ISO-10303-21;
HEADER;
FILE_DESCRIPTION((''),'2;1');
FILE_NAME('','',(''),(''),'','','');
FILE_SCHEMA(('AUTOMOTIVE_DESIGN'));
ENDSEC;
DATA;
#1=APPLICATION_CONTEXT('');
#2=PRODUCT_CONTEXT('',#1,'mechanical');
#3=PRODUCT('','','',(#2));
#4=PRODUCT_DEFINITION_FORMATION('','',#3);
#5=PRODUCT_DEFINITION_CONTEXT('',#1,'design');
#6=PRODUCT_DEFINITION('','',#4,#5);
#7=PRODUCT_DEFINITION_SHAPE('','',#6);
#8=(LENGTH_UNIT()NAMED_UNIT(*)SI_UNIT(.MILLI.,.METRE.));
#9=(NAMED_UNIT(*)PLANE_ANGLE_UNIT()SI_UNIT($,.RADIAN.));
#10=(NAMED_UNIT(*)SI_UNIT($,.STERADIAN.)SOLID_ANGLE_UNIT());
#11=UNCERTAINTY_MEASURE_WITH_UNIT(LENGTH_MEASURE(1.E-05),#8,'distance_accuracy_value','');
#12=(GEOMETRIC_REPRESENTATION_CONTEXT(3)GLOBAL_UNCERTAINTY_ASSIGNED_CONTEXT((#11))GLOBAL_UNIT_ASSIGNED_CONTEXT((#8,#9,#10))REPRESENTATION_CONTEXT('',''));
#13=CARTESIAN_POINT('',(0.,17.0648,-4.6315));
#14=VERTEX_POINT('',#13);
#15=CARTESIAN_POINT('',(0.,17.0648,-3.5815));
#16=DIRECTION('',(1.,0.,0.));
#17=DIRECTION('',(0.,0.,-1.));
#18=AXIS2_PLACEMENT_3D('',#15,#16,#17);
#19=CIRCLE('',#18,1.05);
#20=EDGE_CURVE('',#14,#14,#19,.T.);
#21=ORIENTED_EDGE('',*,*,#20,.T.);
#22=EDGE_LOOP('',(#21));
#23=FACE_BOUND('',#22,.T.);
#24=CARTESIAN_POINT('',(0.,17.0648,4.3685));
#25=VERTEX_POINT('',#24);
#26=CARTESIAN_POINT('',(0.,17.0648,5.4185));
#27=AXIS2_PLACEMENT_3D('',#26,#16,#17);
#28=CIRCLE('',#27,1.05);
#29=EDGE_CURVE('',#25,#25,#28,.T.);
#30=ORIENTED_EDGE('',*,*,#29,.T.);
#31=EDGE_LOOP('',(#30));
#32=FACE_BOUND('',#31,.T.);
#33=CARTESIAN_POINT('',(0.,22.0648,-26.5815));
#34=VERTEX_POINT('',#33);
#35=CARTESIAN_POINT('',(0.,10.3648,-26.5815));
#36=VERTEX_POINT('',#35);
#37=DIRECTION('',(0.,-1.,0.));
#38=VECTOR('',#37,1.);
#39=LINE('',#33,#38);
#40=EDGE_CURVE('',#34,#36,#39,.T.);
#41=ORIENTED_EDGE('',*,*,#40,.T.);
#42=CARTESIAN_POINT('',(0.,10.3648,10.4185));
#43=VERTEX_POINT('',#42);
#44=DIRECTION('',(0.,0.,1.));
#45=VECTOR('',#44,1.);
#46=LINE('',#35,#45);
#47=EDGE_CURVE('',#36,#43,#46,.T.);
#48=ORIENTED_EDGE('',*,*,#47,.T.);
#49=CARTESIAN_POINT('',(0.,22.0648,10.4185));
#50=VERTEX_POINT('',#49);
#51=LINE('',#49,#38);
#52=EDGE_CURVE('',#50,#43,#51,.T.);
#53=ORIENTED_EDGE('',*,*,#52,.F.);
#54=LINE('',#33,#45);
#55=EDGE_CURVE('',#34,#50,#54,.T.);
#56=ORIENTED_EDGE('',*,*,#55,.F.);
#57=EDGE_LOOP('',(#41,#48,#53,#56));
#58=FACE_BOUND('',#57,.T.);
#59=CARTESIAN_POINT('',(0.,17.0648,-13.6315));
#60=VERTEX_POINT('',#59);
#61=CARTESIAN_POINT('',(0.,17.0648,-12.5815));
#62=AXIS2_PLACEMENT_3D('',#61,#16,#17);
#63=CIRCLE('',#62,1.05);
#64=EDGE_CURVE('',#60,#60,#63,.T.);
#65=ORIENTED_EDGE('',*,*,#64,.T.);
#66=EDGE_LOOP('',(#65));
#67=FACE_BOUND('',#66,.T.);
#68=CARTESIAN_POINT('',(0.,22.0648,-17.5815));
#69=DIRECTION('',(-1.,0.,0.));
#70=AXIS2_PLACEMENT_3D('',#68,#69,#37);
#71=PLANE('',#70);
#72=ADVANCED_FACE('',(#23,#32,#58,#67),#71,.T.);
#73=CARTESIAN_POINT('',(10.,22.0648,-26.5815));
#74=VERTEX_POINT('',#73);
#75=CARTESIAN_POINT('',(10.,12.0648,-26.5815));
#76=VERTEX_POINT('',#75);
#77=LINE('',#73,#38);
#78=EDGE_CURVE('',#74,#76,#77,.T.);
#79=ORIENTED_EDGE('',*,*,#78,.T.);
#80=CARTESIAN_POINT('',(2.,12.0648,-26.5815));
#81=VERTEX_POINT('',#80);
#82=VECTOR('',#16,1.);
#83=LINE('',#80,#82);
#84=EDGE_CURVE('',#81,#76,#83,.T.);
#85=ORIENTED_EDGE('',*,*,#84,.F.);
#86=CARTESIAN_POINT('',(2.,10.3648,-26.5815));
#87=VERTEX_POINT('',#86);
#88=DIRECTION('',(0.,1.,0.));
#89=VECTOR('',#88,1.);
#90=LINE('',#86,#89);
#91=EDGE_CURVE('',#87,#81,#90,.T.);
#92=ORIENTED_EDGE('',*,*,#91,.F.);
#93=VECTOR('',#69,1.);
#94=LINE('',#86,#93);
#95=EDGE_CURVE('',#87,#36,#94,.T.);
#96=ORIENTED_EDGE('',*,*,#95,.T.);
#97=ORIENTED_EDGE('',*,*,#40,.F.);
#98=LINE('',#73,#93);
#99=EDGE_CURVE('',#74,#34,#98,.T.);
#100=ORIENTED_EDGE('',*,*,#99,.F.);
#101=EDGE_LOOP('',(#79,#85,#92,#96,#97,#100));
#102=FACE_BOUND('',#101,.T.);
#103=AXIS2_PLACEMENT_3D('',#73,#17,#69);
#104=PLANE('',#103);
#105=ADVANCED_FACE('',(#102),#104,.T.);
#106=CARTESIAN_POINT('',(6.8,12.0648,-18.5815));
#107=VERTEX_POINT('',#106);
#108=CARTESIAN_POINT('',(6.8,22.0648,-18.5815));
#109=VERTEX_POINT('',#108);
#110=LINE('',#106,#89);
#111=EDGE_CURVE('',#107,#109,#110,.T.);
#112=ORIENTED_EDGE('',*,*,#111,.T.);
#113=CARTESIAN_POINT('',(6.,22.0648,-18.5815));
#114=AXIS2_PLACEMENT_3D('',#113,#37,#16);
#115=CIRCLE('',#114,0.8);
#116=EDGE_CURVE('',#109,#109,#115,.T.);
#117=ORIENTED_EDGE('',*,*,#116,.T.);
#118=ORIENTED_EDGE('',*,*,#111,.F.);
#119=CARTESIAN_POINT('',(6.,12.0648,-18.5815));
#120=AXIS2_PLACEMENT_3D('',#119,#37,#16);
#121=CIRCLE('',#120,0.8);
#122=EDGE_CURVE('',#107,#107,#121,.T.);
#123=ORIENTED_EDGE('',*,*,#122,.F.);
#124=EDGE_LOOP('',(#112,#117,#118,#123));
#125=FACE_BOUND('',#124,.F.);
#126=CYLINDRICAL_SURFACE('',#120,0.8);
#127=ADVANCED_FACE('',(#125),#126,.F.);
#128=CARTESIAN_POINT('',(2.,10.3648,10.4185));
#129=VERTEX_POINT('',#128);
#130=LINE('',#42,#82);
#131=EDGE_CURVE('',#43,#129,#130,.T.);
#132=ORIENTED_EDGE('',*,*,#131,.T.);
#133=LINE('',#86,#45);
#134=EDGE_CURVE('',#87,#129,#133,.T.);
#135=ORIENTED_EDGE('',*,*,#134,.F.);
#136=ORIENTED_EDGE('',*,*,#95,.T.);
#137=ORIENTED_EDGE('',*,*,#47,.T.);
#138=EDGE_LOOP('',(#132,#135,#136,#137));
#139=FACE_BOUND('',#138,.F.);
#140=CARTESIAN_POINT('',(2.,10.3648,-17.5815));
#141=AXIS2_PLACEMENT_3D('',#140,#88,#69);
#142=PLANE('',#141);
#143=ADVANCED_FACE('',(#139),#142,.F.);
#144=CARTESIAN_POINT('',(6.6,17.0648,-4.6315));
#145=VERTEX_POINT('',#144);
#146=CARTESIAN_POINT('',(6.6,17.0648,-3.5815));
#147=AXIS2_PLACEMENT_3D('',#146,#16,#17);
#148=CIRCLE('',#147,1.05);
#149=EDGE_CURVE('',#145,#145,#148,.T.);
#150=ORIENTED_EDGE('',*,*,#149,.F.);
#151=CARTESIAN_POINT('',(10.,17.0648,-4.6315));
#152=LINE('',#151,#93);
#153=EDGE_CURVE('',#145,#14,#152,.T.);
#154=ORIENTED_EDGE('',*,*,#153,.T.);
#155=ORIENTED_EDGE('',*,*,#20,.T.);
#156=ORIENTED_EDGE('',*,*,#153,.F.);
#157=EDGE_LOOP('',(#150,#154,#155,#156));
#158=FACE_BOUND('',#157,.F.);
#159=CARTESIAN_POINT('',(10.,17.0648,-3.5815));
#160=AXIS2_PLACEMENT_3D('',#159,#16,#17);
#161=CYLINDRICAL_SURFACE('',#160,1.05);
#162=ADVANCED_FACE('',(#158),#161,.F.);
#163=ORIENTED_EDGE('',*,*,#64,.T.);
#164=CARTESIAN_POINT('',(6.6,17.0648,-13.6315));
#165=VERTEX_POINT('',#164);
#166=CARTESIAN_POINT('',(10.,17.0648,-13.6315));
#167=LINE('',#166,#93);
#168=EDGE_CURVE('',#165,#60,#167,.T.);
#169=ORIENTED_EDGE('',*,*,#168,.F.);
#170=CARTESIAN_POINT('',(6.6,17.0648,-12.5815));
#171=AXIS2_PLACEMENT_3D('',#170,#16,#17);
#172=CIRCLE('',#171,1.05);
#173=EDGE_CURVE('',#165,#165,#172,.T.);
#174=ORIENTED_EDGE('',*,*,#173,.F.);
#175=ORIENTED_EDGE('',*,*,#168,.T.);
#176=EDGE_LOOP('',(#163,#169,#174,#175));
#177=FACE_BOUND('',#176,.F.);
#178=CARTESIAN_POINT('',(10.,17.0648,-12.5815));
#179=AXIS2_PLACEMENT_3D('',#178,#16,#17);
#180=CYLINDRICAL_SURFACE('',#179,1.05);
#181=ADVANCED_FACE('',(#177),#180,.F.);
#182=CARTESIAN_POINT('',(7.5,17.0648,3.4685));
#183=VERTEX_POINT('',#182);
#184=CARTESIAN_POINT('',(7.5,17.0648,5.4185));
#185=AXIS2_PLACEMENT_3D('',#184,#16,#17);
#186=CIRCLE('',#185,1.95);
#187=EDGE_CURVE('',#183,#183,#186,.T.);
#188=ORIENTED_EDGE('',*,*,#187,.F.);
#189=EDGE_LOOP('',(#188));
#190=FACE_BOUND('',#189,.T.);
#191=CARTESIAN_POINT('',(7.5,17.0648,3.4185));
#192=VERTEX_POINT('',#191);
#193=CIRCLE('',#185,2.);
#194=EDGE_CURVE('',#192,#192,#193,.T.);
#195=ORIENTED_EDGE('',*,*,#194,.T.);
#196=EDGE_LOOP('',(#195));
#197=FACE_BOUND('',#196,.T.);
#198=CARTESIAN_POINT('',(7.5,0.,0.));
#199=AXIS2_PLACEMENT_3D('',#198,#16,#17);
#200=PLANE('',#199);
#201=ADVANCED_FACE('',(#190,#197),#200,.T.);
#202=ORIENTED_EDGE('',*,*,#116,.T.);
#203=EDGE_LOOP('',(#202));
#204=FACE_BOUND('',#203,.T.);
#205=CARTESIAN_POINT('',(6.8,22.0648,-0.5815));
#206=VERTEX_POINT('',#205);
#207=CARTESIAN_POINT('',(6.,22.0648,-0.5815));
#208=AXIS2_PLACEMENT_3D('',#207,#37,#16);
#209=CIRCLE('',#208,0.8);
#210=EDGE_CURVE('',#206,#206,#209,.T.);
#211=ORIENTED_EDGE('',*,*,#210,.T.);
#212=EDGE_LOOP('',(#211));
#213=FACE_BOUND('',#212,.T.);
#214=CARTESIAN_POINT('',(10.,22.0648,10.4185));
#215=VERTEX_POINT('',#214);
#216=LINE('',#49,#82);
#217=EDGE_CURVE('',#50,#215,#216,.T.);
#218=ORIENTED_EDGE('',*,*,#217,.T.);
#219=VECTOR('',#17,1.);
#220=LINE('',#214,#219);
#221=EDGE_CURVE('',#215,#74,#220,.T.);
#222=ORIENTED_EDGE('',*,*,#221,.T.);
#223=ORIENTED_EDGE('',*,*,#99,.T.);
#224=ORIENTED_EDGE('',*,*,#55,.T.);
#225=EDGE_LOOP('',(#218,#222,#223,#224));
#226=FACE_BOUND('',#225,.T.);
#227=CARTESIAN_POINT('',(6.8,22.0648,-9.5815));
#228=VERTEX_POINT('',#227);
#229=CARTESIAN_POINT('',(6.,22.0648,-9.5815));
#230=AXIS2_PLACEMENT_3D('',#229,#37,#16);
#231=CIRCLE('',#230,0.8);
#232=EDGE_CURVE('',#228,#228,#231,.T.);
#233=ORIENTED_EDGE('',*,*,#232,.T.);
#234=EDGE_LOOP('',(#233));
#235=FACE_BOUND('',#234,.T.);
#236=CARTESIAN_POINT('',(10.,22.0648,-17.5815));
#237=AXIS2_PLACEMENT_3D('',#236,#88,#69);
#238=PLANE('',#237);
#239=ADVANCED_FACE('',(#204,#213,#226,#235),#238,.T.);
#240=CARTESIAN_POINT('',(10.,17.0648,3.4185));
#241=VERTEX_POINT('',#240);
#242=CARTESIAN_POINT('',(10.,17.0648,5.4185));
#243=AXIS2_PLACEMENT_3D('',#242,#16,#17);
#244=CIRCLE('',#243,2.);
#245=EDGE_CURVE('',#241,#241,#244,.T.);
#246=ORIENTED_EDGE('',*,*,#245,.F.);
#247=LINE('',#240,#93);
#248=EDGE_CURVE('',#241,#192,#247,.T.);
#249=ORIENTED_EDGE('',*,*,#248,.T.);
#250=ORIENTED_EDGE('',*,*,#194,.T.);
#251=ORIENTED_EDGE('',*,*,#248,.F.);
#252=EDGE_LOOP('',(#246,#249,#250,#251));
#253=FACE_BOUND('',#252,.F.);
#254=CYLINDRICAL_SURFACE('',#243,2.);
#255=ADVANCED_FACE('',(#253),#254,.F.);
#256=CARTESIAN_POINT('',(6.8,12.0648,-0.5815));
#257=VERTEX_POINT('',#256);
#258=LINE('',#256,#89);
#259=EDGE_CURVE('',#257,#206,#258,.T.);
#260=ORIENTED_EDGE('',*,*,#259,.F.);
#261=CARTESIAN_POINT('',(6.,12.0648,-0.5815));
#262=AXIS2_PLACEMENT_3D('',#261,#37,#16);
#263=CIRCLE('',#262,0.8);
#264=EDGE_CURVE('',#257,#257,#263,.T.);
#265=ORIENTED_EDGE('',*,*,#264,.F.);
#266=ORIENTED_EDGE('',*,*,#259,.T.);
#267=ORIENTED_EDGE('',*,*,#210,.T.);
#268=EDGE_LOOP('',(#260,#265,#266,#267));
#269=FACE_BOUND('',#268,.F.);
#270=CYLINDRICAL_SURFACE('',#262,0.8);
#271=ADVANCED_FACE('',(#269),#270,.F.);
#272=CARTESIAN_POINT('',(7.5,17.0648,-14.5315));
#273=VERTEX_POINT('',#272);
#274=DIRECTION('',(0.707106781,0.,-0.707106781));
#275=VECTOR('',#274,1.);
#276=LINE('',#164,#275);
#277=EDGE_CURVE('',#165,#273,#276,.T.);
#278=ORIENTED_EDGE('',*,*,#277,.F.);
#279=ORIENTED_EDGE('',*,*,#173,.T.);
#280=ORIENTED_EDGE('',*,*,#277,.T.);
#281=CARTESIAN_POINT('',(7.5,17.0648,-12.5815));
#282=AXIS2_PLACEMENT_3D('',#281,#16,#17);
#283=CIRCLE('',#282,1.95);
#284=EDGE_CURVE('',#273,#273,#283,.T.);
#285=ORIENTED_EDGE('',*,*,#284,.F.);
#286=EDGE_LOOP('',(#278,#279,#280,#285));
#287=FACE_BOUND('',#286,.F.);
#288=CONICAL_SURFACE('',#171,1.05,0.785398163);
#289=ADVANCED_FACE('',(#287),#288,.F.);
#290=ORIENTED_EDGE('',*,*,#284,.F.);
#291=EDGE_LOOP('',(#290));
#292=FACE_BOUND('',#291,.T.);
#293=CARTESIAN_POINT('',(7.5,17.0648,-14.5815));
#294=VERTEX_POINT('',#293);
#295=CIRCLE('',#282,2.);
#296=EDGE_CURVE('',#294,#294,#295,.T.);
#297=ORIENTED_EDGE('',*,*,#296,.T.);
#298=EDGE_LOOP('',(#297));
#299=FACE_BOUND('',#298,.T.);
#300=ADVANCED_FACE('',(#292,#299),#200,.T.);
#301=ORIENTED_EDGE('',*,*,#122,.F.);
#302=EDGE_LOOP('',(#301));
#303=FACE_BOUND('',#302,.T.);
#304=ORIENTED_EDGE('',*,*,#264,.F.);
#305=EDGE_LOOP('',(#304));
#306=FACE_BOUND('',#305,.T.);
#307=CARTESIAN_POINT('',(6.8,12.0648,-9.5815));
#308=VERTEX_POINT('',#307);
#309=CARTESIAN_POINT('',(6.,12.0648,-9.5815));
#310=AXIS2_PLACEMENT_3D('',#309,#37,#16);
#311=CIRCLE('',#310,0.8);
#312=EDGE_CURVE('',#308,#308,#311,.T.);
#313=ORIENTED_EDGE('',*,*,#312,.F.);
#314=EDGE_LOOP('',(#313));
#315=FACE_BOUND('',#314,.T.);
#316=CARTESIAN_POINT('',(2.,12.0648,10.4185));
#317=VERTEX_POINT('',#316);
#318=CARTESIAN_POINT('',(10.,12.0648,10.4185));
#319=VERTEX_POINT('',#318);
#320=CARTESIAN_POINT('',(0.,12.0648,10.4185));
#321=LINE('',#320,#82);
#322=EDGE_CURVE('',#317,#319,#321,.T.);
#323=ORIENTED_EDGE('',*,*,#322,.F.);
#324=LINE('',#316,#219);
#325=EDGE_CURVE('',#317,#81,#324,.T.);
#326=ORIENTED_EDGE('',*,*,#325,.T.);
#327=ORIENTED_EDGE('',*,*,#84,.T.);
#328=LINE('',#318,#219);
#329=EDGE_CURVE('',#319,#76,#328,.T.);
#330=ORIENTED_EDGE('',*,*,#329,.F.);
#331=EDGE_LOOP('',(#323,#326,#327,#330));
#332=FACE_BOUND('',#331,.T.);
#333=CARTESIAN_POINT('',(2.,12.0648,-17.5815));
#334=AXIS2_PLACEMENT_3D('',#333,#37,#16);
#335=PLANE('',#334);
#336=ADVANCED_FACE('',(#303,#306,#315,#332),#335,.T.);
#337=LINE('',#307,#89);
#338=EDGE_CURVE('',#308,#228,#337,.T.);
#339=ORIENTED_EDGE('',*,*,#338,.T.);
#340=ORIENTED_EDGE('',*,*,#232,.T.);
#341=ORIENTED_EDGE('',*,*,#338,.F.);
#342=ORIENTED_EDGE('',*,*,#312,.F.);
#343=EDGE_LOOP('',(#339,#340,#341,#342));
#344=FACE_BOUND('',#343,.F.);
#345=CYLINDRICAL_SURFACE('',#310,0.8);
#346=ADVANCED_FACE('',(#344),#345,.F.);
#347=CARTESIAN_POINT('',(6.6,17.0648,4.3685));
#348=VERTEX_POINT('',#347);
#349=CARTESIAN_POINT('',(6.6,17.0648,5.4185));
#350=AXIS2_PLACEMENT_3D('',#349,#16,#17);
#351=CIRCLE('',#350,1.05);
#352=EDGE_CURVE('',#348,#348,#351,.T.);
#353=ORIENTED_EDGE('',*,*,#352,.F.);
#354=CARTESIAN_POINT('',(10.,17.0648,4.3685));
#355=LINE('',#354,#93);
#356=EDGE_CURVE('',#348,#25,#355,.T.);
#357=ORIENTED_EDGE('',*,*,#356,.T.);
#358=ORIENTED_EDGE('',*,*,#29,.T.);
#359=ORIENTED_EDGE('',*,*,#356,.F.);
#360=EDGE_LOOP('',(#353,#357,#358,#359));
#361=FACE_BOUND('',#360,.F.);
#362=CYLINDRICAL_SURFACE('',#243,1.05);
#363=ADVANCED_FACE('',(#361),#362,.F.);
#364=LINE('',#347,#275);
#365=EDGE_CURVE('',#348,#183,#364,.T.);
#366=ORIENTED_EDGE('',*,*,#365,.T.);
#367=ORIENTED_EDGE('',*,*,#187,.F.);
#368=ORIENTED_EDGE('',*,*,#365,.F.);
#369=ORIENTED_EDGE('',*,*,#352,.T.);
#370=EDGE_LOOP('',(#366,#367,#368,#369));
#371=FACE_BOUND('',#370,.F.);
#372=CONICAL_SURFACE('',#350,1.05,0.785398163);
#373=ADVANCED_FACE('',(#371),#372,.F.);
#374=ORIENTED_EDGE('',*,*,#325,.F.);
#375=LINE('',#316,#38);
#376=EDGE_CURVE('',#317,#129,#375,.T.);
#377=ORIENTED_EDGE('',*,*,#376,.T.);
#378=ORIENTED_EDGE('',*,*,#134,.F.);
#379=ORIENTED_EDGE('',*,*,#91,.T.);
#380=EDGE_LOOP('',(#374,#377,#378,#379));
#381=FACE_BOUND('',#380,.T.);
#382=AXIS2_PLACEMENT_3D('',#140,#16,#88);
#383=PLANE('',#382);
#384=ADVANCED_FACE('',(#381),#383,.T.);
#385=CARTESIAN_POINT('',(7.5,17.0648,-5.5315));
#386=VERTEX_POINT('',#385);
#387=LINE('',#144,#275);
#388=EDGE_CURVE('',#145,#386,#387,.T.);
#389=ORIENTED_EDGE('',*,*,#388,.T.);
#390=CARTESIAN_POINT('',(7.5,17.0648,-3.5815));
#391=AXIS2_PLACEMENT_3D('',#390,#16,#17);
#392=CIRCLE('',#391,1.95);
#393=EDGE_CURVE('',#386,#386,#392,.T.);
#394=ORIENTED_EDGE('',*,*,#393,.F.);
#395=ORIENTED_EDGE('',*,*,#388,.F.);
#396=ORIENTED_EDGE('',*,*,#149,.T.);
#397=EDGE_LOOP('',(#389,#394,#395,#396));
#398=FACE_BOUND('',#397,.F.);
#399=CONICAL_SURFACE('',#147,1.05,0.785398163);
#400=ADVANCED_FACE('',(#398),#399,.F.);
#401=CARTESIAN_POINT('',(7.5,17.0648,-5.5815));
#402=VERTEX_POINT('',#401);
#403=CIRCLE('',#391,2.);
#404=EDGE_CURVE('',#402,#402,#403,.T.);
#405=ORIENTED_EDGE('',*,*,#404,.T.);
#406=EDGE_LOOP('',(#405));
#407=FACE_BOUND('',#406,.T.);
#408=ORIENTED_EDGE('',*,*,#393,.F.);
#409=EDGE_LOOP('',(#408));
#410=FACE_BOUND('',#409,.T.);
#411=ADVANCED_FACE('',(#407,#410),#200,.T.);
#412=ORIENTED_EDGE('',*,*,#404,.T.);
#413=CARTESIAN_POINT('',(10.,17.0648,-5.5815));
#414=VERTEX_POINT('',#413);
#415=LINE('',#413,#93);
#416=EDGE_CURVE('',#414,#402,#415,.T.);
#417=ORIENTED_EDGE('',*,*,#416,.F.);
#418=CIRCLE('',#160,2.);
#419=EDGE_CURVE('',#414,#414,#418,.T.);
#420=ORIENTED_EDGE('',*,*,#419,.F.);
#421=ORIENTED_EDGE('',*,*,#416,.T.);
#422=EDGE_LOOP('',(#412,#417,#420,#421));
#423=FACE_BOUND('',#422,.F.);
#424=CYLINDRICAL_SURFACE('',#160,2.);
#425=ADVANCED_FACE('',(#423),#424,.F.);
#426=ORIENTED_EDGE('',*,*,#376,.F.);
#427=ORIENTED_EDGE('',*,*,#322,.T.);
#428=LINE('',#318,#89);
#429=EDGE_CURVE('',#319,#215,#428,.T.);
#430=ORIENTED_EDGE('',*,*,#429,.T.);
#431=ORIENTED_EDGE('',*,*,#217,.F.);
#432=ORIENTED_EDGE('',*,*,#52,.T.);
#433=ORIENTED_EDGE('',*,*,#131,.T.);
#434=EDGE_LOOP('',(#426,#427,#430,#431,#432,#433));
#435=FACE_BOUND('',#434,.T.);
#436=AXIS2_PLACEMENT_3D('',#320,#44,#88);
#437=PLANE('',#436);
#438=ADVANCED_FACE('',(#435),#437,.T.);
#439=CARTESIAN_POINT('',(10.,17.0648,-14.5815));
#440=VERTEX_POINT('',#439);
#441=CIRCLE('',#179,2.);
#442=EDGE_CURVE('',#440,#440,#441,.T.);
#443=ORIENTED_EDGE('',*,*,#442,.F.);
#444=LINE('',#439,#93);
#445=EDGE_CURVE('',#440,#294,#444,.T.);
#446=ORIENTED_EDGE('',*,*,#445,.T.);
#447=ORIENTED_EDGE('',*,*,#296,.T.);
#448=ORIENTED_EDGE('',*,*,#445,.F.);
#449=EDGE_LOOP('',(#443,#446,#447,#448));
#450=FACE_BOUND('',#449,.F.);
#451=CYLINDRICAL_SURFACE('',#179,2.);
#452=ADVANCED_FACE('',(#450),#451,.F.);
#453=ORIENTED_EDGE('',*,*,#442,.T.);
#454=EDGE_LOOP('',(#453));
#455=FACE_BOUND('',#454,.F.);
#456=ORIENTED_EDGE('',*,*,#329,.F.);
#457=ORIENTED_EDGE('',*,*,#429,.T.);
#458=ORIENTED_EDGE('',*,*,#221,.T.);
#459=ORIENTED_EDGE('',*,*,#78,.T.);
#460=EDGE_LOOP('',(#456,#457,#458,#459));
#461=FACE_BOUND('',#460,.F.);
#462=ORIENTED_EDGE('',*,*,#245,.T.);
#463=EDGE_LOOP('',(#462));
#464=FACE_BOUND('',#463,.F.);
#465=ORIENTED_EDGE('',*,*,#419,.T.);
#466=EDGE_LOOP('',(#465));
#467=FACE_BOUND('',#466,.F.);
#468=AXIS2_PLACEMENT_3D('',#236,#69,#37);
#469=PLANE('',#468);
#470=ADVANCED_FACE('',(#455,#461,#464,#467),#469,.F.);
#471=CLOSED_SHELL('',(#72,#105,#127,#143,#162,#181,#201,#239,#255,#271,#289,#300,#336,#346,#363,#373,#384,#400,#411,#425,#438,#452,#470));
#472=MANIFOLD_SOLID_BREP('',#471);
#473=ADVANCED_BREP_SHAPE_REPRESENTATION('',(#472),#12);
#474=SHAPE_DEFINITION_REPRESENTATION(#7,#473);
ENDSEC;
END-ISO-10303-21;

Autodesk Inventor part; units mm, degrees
ref_plane "YZ Plane" through (0, 0, 0) normal (1, 0, 0) x (0, 1, 0)
ref_plane "XZ Plane" through (0, 0, 0) normal (0, 1, 0) x (-1, 0, 0)
ref_plane "XY Plane" through (0, 0, 0) normal (0, 0, 1) x (1, 0, 0)
sketch "Sketch1" plane through (0, 0, 0) normal (1, 0, 0) x (0, 1, 0)
  line L0 (12.0648, 10.4185) -> (22.0648, 10.4185)
  line L1 (22.0648, 10.4185) -> (22.0648, -17.5815)
  line L2 (22.0648, -17.5815) -> (12.0648, -17.5815)
  line L3 (12.0648, -17.5815) -> (12.0648, 10.4185)
  point P0 (0, 0)
  dimension "d0" = 28
  dimension "d1" = 10
extrude "Extrusion1" add sketch "Sketch1" along normal blind 10
sketch "Sketch2" plane through (0, 12.0648, -17.5815) normal (0, -1, 0) x (1, 0, 0)
  line L0 (0, 28) -> (10, 28) projected
  line L1 (0, 0) -> (10, 0) projected
  line L2 (0, 28) -> (2, 28)
  line L3 (2, 28) -> (2, 0)
  line L4 (2, 0) -> (0, 0)
  line L5 (0, 0) -> (0, 28)
  point P0 (0, 17.5815)
  dimension "d4" = 2
extrude "Extrusion2" add sketch "Sketch2" along normal blind 1.7
sketch "Sketch3" plane through (10, 12.0648, -17.5815) normal (0, -1, 0) x (1, 0, 0)
  circle A0 centre (-4, 8) radius 0.8
  circle A1 centre (-4, 17) radius 0.8
  line L0 (-8, 0) -> (0, 0) projected
  line L1 (-8, 0) -> (-8, 28) projected
  point P0 (-10, 17.5815)
  dimension "d7" = 1.6
  dimension "d8" = 1.6
  dimension "d9" = 8
  dimension "d10" = 9
  dimension "d11" = 4
  dimension "d12" = 4
extrude "Extrusion3" cut sketch "Sketch3" against normal through all
sketch "Sketch4" plane through (10, 0, 0) normal (1, 0, 0) x (0, 0, -1)
  circle A0 centre (-5.4185, 17.0648) radius 1.05
  circle A1 centre (3.5815, 17.0648) radius 1.05
  circle A2 centre (12.5815, 17.0648) radius 1.05
  line L0 (17.5815, 22.0648) -> (-10.4185, 22.0648) projected
  line L1 (17.5815, 12.0648) -> (17.5815, 22.0648) projected
  point P0 (0, 0)
  dimension "d15" = 2.1
  dimension "d16" = 2.1
  dimension "d17" = 2.1
  dimension "d18" = 5
  dimension "d19" = 5
  dimension "d20" = 5
  dimension "d21" = 5
  dimension "d22" = 9
  dimension "d23" = 9
extrude "Extrusion4" cut sketch "Sketch4" against normal through all
sketch "Sketch5" plane through (10, 0, 0) normal (1, 0, 0) x (0, 0, -1)
  circle A0 centre (-5.4185, 17.0648) radius 1.05 projected
  circle A1 centre (-5.4185, 17.0648) radius 2
  circle A2 centre (3.5815, 17.0648) radius 1.05 projected
  circle A3 centre (3.5815, 17.0648) radius 2
  circle A4 centre (12.5815, 17.0648) radius 1.05 projected
  circle A5 centre (12.5815, 17.0648) radius 2
  point P0 (0, 0)
  dimension "d26" = 4
  dimension "d27" = 4
  dimension "d28" = 4
extrude "Extrusion5" cut sketch "Sketch5" against normal blind 2.5
chamfer "Chamfer1" distance 0.9 angle 45 3 edges at (7.5, 17.0648, 6.4685) (7.5, 17.0648, -2.5315) (7.5, 17.0648, -11.5315)
sketch "Sketch6" plane through (10, 22.0648, -17.5815) normal (0, 0, -1) x (-1, 0, 0)
  line L0 (0, 0) -> (0, -10) projected
  line L1 (0, -10) -> (0, 0)
  line L2 (0, 0) -> (10, 0)
  line L3 (8, -11.7) -> (10, -11.7) projected
  line L4 (10, 0) -> (10, -11.7)
  line L5 (8, -11.7) -> (8, -10)
  line L6 (8, -10) -> (0, -10)
  point P0 (10, -22.0648)
extrude "Extrusion6" add sketch "Sketch6" along normal blind 9
sketch "Sketch7" plane through (2, 12.0648, 10.4185) normal (0, -1, 0) x (1, 0, 0)
  circle A0 centre (4, -29) radius 0.8
  line L0 (0, 0) -> (0, -37) projected
  line L1 (8, -37) -> (0, -37) projected
  point P0 (-2, -10.4185)
  dimension "d39" = 1.6
  dimension "d40" = 4
  dimension "d41" = 8
extrude "Extrusion7" cut sketch "Sketch7" against normal through all
properties part number "probe_mount"
